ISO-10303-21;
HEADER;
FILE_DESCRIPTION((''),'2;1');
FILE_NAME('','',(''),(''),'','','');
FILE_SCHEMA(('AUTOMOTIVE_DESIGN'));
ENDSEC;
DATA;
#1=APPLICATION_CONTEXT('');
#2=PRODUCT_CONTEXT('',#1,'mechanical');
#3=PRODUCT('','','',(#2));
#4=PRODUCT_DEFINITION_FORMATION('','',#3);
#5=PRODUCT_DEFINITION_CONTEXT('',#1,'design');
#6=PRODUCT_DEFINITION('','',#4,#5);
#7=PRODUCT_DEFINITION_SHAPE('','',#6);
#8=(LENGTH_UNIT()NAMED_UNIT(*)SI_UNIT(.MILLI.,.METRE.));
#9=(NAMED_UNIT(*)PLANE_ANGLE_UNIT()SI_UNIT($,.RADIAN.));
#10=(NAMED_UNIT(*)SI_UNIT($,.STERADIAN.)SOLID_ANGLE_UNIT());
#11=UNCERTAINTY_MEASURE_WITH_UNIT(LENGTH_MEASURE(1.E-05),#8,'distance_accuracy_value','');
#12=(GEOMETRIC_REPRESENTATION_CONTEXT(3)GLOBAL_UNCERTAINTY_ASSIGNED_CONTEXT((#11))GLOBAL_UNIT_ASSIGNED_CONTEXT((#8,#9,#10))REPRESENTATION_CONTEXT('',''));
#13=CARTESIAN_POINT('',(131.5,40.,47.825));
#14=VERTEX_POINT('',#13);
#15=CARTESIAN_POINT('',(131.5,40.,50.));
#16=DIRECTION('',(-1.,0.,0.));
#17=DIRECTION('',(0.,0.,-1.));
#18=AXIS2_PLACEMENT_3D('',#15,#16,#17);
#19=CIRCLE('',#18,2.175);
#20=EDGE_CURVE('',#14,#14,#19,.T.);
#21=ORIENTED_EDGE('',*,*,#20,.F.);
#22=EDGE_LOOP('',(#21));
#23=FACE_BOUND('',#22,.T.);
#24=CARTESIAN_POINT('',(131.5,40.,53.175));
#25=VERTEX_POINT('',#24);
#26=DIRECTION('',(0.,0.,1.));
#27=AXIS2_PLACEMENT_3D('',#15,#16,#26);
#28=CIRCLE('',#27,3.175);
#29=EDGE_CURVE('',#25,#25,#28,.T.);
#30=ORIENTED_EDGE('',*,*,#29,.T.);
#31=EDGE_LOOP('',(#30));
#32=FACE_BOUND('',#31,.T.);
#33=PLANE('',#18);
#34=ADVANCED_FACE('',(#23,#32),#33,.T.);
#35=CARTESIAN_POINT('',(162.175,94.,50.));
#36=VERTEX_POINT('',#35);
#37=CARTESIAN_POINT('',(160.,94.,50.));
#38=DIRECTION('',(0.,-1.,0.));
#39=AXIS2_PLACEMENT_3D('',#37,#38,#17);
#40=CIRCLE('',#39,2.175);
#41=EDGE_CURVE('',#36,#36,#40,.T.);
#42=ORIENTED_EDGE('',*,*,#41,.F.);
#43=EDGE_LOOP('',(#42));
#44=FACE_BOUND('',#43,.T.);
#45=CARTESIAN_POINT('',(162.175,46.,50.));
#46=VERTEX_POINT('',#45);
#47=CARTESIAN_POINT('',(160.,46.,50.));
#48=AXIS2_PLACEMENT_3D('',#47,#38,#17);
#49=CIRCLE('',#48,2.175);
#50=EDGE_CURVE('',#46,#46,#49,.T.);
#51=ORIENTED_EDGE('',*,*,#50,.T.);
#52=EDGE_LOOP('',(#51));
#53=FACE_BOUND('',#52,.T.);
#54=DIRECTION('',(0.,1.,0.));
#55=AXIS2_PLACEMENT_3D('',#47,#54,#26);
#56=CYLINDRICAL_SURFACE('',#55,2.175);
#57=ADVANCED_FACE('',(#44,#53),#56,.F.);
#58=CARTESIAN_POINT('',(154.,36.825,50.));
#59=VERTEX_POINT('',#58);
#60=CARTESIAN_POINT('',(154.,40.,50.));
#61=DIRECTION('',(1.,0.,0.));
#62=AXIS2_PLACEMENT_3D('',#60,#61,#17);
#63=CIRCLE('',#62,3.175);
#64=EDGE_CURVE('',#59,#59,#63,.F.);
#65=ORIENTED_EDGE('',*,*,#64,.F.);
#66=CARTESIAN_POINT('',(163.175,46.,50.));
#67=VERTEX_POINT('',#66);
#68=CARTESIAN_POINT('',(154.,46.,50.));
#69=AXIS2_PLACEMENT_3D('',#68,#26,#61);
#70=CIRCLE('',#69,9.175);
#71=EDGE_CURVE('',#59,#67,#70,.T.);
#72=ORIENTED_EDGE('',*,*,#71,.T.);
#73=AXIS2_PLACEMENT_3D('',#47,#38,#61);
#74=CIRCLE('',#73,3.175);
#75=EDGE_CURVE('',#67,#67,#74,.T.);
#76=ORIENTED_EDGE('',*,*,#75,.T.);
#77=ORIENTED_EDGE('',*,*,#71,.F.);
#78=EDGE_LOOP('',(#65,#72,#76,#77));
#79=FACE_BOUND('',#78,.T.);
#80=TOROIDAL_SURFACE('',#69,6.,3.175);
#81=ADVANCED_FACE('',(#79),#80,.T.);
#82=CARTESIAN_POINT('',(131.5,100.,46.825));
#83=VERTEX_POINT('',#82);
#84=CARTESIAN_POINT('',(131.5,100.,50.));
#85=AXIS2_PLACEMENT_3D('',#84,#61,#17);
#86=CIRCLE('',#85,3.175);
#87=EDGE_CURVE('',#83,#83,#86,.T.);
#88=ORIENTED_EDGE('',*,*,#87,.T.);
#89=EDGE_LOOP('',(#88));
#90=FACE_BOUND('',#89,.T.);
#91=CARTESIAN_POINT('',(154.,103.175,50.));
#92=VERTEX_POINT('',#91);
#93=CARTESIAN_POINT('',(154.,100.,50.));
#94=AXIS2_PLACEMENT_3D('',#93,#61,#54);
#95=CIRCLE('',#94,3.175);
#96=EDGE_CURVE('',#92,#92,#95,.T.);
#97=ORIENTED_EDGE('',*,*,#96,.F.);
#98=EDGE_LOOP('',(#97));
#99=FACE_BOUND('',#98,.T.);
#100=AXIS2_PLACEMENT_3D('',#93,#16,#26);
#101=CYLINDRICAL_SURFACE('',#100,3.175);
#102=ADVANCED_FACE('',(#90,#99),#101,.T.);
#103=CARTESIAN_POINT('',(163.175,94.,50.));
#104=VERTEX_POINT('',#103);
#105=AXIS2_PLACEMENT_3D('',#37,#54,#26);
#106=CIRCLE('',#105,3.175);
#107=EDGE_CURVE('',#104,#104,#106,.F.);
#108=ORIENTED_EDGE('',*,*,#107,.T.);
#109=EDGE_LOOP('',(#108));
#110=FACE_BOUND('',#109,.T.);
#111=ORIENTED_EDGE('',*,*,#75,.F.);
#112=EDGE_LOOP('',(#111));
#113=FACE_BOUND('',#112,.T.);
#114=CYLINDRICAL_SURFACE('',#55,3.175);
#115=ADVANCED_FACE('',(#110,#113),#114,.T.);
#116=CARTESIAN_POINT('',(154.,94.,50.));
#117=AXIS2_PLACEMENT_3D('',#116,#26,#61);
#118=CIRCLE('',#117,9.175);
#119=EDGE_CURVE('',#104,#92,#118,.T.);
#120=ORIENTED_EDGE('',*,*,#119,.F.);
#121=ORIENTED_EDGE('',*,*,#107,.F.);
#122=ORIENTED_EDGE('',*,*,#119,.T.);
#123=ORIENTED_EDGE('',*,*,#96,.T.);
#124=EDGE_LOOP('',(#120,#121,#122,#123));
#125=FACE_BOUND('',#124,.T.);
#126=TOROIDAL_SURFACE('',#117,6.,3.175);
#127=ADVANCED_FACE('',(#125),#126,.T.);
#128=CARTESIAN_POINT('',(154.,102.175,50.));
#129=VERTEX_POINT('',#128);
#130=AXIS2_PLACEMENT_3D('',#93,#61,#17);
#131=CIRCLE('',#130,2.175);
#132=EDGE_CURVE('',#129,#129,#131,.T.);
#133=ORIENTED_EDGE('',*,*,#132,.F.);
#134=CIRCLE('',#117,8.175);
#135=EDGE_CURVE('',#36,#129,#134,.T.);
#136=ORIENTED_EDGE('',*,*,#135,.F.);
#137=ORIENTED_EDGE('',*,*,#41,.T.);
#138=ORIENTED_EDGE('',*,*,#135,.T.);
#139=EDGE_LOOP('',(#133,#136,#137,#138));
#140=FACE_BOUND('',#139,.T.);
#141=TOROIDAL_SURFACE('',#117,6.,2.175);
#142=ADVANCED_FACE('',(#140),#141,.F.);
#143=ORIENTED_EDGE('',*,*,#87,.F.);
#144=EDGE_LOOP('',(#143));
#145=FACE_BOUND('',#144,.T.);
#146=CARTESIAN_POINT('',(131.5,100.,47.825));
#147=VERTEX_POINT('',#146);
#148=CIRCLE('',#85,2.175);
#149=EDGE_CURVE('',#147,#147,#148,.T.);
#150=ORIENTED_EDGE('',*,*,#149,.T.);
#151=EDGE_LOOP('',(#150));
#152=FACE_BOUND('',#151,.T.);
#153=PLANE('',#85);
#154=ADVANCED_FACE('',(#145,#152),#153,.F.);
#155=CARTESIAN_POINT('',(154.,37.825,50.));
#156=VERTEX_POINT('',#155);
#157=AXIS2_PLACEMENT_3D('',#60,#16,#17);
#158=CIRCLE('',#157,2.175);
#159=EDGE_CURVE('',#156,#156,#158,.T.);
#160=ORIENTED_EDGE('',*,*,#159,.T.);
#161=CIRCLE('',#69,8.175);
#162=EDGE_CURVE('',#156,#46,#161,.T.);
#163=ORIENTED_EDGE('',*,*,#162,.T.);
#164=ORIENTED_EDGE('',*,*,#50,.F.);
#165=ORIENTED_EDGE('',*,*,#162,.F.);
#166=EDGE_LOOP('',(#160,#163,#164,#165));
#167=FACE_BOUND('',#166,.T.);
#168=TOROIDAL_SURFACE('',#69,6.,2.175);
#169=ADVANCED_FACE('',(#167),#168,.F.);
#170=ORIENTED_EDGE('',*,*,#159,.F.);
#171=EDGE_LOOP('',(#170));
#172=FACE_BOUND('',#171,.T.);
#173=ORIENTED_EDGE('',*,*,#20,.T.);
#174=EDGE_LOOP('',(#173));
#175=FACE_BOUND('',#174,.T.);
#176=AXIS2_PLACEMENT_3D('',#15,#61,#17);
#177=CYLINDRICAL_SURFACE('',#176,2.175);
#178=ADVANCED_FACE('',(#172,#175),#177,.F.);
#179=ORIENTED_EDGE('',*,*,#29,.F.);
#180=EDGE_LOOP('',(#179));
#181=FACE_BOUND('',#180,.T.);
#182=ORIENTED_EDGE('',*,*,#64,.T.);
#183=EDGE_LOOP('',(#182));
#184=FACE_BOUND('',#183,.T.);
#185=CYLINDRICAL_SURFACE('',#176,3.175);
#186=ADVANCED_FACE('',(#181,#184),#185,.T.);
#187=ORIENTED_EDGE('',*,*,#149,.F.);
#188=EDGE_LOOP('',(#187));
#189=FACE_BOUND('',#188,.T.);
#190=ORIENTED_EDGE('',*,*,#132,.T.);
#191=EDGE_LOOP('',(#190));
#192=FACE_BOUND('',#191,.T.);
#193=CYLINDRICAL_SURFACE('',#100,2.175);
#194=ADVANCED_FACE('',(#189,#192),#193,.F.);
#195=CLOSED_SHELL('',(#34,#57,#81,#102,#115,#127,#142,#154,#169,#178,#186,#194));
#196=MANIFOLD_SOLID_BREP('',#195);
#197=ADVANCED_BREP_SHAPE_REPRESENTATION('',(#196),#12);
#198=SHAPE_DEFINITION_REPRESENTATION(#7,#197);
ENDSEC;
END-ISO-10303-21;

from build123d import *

# Parameters (mm, degrees)
TUBE_PROFILE_R   = 3.175
TUBE_PROFILE_R_2 = 2.175


with BuildPart() as part:
    # Tube: sweep along a curve in space
    with BuildLine() as tube_path:
        Line((131.5, 40, 50), (154, 40, 50))
        ThreePointArc((160, 46, 50), (158.242640687, 41.757359313, 50), (154, 40, 50))
        Line((160, 46, 50), (160, 94, 50))
        ThreePointArc((154, 100, 50), (158.242640687, 98.242640687, 50), (160, 94, 50))
        Line((154, 100, 50), (131.5, 100, 50))
    # Tube profile (on start of the path) → Tube (sweep)
    with BuildSketch(Plane(origin=(131.5, 40, 50), x_dir=(0, 0, 1), z_dir=(1, 0, 0))):
        Circle(TUBE_PROFILE_R)
        Circle(TUBE_PROFILE_R_2, mode=Mode.SUBTRACT)
    sweep(path=tube_path.line)


solid = part.part
